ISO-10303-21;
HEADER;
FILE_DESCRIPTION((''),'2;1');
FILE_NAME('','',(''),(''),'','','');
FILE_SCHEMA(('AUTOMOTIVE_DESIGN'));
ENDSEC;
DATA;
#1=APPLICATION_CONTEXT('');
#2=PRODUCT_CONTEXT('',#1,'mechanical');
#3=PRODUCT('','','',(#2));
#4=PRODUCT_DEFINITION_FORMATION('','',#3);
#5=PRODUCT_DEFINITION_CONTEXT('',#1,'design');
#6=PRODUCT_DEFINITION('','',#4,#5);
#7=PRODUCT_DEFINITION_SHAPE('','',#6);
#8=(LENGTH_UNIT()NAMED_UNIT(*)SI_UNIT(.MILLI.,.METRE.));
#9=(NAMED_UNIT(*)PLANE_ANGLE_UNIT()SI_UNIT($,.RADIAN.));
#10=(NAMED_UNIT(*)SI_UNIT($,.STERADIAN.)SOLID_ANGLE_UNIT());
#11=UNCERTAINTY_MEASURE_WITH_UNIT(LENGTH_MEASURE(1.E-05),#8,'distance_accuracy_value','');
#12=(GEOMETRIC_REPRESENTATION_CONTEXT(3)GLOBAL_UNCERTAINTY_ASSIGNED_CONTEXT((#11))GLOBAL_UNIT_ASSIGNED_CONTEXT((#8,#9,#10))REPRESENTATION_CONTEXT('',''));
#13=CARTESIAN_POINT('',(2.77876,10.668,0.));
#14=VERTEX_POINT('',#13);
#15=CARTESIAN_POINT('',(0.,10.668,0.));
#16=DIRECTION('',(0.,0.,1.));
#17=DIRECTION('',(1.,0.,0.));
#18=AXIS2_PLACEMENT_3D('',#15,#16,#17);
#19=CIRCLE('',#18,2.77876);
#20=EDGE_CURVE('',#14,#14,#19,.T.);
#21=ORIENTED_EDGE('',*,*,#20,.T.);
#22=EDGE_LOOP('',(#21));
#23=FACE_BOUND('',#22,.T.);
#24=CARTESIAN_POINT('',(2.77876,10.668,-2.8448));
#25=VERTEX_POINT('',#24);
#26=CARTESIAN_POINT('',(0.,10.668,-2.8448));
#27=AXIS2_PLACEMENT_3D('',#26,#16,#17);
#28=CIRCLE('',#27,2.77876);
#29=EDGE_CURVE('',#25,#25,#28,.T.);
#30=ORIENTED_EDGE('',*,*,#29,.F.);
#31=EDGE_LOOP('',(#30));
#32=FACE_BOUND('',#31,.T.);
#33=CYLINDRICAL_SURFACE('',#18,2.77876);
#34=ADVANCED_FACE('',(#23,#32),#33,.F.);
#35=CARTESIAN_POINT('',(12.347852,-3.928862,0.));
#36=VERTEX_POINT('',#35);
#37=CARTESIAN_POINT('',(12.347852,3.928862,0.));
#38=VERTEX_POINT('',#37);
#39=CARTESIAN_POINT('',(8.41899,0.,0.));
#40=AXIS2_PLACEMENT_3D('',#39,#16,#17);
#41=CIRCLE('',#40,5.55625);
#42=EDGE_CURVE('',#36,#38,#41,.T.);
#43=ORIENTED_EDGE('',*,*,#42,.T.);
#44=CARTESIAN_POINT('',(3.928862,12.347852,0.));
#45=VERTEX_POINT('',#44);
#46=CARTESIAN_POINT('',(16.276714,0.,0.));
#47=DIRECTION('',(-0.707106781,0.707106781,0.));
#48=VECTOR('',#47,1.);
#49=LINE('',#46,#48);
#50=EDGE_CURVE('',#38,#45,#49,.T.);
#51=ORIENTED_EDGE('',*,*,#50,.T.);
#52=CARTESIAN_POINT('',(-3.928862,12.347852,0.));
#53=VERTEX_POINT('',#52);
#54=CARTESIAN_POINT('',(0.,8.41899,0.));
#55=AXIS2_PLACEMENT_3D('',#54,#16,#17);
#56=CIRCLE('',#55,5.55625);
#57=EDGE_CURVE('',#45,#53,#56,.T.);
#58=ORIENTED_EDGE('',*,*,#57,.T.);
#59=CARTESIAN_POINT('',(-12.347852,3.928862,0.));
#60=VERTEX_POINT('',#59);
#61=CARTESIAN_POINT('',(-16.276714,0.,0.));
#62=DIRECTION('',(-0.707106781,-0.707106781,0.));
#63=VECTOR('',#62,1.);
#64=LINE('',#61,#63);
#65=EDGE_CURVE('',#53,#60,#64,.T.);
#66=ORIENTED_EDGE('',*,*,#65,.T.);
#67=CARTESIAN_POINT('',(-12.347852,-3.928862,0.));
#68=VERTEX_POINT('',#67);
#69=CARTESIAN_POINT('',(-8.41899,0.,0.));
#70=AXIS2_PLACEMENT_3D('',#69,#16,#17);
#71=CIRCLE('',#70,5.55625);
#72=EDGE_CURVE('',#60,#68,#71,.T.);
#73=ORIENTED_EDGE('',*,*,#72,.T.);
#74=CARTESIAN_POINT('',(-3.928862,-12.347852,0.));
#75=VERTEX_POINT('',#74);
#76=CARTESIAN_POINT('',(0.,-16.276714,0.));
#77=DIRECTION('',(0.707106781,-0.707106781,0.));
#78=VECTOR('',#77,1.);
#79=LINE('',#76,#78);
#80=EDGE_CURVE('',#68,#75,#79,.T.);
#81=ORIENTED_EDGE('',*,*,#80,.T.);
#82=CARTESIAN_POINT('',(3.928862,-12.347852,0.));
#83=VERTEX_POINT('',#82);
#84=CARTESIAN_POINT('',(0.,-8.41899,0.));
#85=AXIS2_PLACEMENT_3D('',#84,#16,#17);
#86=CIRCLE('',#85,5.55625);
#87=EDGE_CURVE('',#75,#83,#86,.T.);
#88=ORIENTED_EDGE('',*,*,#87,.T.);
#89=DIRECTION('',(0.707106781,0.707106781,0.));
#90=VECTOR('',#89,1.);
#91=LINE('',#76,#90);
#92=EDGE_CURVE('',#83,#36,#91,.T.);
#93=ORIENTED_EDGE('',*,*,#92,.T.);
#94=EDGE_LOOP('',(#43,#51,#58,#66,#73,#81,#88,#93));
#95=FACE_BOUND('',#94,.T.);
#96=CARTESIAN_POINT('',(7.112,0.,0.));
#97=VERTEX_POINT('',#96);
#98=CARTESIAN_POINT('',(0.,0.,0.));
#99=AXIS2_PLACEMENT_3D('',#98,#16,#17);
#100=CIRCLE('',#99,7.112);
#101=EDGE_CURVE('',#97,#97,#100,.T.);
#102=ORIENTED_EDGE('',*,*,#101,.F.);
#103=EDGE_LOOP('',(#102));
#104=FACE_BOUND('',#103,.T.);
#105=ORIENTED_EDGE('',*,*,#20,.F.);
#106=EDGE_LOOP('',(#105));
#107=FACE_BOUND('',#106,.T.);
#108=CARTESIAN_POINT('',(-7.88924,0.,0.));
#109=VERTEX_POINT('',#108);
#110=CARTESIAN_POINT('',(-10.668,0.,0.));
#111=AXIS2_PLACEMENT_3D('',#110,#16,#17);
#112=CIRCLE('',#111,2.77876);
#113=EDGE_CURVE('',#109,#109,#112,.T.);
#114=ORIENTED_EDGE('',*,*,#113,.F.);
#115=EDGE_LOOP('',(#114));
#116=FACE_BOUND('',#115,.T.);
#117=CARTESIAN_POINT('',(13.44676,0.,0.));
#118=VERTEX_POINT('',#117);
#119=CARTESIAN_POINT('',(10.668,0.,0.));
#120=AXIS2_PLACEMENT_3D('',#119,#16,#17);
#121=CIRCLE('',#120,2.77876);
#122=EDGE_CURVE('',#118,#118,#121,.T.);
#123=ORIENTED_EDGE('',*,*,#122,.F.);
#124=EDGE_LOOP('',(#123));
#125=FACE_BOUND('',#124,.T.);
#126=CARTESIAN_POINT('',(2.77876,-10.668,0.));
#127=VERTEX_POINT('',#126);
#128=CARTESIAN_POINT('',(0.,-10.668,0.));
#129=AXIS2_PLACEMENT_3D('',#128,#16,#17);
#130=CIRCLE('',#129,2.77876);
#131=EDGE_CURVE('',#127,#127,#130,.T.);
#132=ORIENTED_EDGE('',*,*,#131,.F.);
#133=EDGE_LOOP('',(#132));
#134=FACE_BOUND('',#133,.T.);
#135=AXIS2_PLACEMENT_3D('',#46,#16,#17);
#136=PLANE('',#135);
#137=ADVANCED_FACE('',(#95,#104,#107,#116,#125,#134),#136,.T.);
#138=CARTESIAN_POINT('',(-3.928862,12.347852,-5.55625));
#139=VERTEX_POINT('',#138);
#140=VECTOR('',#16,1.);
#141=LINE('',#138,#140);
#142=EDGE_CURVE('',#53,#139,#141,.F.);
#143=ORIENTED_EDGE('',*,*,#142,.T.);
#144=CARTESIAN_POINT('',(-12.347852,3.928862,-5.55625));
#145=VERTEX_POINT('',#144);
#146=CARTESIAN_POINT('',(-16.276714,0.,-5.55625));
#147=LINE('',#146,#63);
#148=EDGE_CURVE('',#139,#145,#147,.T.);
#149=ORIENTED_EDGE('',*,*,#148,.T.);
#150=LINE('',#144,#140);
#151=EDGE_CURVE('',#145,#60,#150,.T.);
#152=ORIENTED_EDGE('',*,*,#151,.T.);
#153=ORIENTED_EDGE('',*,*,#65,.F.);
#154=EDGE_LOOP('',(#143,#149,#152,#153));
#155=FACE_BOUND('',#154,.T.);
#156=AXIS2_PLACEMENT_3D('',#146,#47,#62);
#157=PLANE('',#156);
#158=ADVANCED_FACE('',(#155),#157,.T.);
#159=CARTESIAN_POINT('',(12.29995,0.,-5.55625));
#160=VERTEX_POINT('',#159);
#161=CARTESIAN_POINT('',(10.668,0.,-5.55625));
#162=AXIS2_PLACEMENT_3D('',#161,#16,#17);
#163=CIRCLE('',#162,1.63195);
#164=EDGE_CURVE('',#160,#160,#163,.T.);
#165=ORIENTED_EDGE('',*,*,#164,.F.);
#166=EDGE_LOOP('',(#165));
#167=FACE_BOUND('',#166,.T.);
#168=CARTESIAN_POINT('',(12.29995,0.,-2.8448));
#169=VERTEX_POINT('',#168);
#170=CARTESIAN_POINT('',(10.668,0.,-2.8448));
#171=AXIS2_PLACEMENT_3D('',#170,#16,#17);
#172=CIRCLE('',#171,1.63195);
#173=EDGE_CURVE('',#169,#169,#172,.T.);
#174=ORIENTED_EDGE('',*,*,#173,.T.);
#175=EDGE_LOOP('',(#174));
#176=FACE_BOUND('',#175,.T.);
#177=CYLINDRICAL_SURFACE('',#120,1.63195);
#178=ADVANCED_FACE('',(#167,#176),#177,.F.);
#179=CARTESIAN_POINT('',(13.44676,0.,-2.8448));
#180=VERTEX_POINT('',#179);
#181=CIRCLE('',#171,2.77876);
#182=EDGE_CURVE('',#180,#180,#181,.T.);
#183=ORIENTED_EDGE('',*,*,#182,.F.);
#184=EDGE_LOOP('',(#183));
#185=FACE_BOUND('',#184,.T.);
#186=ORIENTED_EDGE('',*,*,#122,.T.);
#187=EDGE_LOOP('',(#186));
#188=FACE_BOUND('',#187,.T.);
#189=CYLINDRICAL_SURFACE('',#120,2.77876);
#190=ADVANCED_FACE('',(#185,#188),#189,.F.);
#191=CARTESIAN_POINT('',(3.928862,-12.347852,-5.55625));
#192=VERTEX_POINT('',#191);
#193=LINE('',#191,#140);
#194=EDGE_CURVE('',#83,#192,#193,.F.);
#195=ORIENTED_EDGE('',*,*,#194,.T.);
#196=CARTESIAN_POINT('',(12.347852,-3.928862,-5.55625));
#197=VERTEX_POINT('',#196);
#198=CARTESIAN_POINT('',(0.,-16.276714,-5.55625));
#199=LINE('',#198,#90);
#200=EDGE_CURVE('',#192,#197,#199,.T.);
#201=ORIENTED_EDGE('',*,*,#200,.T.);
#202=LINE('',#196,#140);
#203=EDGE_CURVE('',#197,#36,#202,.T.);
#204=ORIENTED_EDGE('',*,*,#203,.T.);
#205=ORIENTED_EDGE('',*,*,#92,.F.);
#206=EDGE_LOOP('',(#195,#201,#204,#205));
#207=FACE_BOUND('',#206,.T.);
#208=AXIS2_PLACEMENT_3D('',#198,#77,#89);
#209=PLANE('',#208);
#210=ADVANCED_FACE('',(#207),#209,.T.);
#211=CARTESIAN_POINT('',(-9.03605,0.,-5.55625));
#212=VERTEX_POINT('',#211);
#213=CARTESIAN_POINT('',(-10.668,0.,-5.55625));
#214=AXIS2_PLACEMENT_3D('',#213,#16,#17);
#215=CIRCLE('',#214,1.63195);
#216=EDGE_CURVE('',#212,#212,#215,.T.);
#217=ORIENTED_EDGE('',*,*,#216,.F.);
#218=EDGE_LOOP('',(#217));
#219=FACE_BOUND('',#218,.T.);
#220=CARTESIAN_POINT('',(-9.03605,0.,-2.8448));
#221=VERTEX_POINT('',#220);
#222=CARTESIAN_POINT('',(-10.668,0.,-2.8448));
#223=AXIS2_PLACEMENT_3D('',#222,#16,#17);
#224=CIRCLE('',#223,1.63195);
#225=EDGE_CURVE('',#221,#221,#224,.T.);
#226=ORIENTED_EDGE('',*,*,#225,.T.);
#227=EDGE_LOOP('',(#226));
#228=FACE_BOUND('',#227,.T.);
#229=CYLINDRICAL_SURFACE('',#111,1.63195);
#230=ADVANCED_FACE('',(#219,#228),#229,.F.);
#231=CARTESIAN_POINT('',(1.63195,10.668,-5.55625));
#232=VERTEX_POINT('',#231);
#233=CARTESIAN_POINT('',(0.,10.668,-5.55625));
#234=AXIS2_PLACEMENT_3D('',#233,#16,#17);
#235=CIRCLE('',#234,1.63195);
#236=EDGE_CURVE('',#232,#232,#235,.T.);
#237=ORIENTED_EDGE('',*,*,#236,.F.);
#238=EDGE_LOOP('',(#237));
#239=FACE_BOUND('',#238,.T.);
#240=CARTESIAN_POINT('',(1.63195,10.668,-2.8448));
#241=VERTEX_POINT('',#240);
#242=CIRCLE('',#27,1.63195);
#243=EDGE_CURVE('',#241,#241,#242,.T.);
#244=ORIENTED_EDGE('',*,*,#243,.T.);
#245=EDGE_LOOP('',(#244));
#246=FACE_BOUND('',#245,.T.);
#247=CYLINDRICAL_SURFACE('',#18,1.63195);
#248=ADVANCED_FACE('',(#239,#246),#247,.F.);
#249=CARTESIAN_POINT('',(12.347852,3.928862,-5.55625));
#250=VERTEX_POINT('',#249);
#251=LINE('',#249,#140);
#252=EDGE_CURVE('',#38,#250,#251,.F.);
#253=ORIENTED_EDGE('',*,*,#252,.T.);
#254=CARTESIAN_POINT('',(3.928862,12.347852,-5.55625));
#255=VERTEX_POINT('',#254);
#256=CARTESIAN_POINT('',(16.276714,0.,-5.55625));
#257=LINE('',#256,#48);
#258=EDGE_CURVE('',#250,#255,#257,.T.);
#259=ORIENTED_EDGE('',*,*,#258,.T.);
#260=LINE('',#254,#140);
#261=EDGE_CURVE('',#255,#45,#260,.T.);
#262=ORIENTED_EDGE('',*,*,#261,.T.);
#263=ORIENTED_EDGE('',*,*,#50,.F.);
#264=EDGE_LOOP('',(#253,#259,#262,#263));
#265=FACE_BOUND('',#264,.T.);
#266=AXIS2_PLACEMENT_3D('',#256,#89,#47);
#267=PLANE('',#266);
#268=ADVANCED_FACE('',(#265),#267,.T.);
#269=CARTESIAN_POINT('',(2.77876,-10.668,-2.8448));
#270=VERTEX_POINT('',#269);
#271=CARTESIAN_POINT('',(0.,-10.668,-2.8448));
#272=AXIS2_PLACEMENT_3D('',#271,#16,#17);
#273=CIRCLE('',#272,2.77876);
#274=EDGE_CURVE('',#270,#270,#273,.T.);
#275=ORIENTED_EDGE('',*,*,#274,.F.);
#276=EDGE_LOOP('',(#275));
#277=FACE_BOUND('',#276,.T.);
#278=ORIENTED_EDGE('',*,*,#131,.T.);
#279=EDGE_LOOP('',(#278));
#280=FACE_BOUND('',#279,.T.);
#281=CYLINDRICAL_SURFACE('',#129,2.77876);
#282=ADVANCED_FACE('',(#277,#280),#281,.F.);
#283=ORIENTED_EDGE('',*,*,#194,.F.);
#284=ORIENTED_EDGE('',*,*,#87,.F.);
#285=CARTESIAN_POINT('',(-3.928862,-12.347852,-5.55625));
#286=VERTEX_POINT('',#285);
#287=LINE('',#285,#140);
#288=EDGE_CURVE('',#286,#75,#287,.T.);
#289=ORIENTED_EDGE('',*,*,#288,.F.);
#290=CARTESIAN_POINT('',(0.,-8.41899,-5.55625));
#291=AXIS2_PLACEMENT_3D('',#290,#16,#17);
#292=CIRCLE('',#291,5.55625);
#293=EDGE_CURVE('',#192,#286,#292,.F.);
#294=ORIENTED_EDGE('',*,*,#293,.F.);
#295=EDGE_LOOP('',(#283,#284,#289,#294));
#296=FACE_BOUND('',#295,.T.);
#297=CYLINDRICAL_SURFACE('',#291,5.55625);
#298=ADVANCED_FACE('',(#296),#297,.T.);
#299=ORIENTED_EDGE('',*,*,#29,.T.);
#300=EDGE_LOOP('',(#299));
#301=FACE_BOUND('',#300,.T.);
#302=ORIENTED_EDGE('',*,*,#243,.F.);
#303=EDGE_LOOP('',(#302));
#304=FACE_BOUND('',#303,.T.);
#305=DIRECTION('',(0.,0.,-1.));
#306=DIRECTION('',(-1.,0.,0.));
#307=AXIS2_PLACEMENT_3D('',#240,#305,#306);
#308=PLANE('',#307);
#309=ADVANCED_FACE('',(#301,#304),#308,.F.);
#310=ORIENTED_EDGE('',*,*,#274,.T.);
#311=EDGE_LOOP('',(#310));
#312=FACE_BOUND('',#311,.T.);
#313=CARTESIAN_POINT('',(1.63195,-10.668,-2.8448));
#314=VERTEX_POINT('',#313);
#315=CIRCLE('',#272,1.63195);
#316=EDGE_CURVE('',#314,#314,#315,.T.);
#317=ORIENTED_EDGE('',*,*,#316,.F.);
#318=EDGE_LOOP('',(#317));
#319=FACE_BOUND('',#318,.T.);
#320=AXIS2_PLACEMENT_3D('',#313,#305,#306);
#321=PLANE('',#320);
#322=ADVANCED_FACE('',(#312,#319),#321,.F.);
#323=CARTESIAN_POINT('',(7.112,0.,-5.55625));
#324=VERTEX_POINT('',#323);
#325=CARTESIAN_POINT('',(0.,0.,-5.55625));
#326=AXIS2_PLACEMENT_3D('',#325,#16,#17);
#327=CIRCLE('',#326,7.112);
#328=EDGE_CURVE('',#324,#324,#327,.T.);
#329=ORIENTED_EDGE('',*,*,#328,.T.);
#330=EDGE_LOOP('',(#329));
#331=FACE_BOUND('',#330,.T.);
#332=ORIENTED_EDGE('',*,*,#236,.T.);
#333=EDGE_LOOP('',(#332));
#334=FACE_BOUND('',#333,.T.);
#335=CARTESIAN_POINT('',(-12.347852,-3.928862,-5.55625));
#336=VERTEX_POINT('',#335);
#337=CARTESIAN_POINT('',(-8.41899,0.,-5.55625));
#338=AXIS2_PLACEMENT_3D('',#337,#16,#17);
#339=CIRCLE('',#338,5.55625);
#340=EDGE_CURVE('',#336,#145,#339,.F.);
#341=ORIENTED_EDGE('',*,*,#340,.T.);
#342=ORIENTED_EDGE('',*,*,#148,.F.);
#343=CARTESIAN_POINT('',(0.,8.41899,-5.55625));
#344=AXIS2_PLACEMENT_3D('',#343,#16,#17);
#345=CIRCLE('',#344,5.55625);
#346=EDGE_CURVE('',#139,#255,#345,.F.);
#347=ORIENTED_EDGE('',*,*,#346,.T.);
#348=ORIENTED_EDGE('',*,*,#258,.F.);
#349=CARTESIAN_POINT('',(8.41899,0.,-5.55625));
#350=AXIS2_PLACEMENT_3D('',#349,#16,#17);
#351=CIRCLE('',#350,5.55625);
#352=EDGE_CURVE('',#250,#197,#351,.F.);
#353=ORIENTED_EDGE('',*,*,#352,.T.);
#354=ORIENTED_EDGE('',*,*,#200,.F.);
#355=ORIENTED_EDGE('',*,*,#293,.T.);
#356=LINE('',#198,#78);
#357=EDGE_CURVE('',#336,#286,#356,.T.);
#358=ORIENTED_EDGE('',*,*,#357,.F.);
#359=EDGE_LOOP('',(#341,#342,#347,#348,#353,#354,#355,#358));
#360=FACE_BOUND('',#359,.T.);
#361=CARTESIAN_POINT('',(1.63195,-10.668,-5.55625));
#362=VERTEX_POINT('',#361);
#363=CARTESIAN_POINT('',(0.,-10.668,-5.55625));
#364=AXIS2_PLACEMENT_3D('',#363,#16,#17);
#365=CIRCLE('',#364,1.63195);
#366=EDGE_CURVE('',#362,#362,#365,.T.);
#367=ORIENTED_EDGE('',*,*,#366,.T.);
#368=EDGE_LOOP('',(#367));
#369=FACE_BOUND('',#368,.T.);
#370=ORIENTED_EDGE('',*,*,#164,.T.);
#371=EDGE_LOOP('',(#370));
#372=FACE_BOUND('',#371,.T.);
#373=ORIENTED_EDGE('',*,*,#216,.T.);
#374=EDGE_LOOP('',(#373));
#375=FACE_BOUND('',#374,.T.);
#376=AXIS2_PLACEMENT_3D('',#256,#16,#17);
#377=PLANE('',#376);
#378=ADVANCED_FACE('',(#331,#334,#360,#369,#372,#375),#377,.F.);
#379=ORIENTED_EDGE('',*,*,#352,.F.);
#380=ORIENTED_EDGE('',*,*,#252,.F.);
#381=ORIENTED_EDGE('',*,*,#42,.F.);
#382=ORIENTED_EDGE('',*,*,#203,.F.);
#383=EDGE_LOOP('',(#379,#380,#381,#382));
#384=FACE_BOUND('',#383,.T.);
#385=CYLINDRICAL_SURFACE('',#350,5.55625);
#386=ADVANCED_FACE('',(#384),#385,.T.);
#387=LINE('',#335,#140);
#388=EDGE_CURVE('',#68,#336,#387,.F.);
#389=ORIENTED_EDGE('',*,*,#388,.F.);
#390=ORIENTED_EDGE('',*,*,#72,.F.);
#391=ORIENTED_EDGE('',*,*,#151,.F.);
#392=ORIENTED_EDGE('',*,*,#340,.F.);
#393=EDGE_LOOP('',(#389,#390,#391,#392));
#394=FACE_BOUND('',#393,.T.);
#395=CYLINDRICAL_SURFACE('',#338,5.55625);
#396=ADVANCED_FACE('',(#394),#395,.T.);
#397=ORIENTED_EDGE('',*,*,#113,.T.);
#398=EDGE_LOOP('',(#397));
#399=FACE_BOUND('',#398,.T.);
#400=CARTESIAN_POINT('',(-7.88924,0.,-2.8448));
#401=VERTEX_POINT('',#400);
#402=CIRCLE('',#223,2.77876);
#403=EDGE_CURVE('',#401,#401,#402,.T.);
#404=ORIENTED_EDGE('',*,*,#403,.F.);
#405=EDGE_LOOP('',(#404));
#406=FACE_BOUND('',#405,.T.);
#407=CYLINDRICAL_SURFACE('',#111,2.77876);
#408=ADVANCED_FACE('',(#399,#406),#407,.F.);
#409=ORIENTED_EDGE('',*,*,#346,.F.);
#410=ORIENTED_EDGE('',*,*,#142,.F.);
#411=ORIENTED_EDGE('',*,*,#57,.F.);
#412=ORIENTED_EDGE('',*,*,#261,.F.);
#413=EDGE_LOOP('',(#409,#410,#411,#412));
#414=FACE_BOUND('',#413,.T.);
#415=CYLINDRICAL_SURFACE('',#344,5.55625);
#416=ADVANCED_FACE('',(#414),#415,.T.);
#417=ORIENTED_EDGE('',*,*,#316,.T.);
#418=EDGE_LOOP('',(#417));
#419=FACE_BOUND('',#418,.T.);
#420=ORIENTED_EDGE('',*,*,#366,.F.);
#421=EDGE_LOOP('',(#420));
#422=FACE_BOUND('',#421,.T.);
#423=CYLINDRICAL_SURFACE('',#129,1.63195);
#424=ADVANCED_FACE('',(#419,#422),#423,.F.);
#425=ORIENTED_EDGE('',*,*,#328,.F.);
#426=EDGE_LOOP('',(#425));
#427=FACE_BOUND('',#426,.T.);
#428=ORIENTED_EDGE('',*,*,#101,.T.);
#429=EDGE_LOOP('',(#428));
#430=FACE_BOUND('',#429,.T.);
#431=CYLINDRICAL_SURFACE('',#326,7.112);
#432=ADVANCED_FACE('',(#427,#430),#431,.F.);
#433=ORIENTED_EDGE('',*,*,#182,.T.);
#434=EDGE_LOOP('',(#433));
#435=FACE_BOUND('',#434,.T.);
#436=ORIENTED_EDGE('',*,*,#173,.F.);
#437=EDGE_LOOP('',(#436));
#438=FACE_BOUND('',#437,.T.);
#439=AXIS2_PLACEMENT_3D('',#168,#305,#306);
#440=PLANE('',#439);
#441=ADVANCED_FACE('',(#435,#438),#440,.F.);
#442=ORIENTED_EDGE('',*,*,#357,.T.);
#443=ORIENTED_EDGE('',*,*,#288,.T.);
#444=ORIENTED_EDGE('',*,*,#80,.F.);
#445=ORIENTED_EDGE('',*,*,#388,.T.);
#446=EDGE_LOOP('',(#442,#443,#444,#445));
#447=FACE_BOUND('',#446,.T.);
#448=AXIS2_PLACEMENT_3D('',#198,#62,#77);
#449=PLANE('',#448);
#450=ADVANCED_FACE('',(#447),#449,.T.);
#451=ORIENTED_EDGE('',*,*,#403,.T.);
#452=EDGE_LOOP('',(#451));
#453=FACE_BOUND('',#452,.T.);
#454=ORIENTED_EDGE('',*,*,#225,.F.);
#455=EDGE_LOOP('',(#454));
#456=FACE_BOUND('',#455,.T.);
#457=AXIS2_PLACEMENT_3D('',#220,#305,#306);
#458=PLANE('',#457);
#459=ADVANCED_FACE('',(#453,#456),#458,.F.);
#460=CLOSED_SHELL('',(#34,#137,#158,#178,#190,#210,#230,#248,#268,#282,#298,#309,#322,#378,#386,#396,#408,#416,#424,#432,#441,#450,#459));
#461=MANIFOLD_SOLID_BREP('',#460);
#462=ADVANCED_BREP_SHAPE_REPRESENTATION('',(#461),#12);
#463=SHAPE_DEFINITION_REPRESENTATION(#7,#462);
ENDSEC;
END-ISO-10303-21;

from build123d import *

# Parameters (mm, degrees)
BOSS_EXTRUDE1_DEPTH                            = 5.55625
SKETCH2_R                                      = 7.112
CUT_EXTRUDE1_DEPTH                             = 6.55625
CBORE_FOR_4_SOCKET_HEAD_CAP_SCREW1_D           = 3.2639
CBORE_FOR_4_SOCKET_HEAD_CAP_SCREW1_CBORE_D     = 5.55752
CBORE_FOR_4_SOCKET_HEAD_CAP_SCREW1_CBORE_DEPTH = 2.8448
CIRPATTERN1_COUNT                              = 4
FILLET1_R                                      = 5.55625


with BuildPart() as part:
    # Sketch1 → Boss-Extrude1 (new body)
    with BuildSketch(Plane.XY):
        Polygon((0, -16.276714219), (-16.276714219, 0), (0, 16.276714219), (16.276714219, 0), align=None)
    extrude(amount=-BOSS_EXTRUDE1_DEPTH)

    # Sketch2 → Cut-Extrude1 (cut, through all)
    with BuildSketch(Plane.XY):
        Circle(SKETCH2_R)
    extrude(amount=-CUT_EXTRUDE1_DEPTH, mode=Mode.SUBTRACT)

    # CBORE for #4 Socket Head Cap Screw1 (through all)
    with Locations(Plane.XY):
        with Locations((0, 10.668)):
            cbore_for_4_socket_head_cap_screw1 = CounterBoreHole(CBORE_FOR_4_SOCKET_HEAD_CAP_SCREW1_D / 2, CBORE_FOR_4_SOCKET_HEAD_CAP_SCREW1_CBORE_D / 2, CBORE_FOR_4_SOCKET_HEAD_CAP_SCREW1_CBORE_DEPTH)

    # CirPattern1: CBORE for #4 Socket Head Cap Screw1 ×4 about axis
    cirpattern1_axis = Axis((0, 0, 0), (0, 0, 1))
    for i in range(1, CIRPATTERN1_COUNT):
        add(cbore_for_4_socket_head_cap_screw1.rotate(cirpattern1_axis, i * 360 / CIRPATTERN1_COUNT), mode=Mode.SUBTRACT)

    # Fillet1
    fillet1_edges = [part.edges().sort_by_distance(p)[0] for p in [
        (0, -16.276714219, -2.778125),
        (-16.276714219, 0, -2.778125),
        (0, 16.276714219, -2.778125),
        (16.276714219, 0, -2.778125),
    ]]
    fillet(fillet1_edges, radius=FILLET1_R)


solid = part.part
